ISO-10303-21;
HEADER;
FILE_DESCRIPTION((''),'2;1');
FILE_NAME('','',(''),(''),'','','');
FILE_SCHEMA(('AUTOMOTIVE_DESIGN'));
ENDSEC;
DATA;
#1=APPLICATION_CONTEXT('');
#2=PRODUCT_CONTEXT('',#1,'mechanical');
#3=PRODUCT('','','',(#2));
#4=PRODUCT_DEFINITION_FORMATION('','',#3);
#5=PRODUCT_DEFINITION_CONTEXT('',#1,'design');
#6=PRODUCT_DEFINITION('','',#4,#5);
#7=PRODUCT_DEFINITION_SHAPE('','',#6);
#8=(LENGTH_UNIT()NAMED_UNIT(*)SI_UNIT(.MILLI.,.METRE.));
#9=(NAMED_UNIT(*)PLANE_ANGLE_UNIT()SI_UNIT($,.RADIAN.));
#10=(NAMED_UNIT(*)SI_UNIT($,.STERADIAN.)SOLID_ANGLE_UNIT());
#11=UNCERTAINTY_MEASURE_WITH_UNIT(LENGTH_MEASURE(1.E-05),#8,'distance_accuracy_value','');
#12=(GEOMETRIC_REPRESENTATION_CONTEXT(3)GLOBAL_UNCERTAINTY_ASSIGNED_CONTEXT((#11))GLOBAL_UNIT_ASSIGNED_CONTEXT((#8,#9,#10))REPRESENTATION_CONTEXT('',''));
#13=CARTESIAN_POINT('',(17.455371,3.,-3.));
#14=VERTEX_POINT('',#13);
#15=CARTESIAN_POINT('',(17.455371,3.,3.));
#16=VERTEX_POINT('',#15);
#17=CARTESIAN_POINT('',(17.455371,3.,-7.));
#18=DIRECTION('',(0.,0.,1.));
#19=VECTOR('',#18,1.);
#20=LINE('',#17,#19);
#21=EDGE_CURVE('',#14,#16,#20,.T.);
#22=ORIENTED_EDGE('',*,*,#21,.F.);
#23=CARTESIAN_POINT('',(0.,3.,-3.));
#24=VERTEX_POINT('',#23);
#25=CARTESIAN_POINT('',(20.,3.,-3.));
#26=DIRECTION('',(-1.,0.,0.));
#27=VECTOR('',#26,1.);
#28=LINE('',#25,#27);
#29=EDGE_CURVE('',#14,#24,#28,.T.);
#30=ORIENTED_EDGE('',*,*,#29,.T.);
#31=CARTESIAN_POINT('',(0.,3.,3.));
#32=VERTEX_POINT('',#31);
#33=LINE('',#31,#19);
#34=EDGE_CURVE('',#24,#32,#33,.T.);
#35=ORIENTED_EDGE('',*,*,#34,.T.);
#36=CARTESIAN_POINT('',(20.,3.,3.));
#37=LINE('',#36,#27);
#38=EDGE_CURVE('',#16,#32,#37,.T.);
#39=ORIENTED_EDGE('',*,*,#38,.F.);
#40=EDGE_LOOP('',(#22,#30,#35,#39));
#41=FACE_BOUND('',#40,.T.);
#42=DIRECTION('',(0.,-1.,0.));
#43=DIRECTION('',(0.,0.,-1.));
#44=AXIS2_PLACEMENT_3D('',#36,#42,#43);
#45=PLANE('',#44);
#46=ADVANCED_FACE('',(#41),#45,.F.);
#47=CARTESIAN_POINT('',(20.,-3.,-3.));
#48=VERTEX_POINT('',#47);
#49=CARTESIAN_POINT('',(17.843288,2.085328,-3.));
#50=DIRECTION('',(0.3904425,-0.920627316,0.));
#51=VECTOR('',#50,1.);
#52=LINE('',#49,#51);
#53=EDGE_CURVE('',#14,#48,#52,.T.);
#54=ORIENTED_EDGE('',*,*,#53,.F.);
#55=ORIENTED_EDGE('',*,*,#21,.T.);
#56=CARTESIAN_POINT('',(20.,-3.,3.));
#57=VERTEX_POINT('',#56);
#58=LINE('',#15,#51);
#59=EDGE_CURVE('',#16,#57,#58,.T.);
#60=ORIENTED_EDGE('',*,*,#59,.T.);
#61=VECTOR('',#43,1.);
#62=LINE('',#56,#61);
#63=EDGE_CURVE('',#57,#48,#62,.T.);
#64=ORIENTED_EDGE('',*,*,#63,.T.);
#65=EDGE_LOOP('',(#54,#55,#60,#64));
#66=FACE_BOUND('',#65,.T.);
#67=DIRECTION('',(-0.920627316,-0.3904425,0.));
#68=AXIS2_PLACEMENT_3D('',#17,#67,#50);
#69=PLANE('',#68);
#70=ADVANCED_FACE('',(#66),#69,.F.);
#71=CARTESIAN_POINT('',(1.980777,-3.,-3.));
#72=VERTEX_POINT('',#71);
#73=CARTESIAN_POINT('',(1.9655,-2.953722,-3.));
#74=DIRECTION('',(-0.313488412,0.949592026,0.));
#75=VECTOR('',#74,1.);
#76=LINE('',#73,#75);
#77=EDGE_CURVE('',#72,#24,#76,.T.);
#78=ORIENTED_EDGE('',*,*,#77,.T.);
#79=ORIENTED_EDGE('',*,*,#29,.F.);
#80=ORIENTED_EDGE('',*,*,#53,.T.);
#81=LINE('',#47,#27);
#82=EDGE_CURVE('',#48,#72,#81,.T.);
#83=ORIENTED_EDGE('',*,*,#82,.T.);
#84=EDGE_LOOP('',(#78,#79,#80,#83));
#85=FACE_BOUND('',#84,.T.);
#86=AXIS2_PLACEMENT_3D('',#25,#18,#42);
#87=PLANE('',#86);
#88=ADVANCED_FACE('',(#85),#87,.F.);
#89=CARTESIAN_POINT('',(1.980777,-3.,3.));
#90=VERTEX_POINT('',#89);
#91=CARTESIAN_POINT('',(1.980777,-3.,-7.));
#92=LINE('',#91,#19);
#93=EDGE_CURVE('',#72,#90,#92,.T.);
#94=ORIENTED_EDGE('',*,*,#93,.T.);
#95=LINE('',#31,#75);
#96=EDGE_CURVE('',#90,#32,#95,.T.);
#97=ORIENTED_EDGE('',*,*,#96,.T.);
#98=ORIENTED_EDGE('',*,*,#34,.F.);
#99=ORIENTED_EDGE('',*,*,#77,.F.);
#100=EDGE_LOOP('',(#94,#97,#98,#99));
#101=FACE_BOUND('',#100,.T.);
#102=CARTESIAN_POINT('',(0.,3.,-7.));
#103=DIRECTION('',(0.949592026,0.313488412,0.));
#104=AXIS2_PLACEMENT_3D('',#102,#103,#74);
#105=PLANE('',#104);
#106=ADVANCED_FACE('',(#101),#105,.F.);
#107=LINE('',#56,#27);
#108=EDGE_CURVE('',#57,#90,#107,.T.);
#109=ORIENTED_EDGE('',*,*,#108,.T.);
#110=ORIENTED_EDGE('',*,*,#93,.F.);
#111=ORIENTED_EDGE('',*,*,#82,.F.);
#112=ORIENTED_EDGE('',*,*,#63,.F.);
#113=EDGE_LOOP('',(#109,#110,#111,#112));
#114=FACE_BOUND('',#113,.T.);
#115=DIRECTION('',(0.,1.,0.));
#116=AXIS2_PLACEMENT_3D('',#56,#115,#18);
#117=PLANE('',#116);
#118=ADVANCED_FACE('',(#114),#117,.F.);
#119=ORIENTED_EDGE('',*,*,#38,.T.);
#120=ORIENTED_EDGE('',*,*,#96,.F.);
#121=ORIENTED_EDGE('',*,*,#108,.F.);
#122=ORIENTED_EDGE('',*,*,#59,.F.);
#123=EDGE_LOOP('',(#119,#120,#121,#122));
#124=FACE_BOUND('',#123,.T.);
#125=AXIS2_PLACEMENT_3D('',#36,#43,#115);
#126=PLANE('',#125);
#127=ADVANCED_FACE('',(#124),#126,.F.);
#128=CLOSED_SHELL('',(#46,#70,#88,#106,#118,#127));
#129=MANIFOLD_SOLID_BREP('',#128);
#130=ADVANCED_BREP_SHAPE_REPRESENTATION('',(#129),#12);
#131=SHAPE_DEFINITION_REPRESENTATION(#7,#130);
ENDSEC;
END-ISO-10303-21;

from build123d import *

# Parameters (mm, degrees)
SKETCH_2_W          = 6
SKETCH_2_H          = 6
EXTRUDE_1_DEPTH     = 20
CUT_EXTRUDE_1_DEPTH = 10


with BuildPart() as part:
    # 草图2 → 凸台-拉伸1 (new body)
    with BuildSketch(Plane(origin=(0, 0, 0), x_dir=(0, 0, -1), z_dir=(1, 0, 0))):
        Rectangle(SKETCH_2_W, SKETCH_2_H)
    extrude(amount=EXTRUDE_1_DEPTH)

    # 草图3 → 切除-拉伸1 (cut)
    with BuildSketch(Plane.XY.offset(3)):
        Polygon((0, 3), (1.980777452, -3), (0, -3), align=None)
        Polygon((17.455370963, 3), (20, -3), (20, 3), align=None)
    extrude(amount=-CUT_EXTRUDE_1_DEPTH, mode=Mode.SUBTRACT)


solid = part.part
